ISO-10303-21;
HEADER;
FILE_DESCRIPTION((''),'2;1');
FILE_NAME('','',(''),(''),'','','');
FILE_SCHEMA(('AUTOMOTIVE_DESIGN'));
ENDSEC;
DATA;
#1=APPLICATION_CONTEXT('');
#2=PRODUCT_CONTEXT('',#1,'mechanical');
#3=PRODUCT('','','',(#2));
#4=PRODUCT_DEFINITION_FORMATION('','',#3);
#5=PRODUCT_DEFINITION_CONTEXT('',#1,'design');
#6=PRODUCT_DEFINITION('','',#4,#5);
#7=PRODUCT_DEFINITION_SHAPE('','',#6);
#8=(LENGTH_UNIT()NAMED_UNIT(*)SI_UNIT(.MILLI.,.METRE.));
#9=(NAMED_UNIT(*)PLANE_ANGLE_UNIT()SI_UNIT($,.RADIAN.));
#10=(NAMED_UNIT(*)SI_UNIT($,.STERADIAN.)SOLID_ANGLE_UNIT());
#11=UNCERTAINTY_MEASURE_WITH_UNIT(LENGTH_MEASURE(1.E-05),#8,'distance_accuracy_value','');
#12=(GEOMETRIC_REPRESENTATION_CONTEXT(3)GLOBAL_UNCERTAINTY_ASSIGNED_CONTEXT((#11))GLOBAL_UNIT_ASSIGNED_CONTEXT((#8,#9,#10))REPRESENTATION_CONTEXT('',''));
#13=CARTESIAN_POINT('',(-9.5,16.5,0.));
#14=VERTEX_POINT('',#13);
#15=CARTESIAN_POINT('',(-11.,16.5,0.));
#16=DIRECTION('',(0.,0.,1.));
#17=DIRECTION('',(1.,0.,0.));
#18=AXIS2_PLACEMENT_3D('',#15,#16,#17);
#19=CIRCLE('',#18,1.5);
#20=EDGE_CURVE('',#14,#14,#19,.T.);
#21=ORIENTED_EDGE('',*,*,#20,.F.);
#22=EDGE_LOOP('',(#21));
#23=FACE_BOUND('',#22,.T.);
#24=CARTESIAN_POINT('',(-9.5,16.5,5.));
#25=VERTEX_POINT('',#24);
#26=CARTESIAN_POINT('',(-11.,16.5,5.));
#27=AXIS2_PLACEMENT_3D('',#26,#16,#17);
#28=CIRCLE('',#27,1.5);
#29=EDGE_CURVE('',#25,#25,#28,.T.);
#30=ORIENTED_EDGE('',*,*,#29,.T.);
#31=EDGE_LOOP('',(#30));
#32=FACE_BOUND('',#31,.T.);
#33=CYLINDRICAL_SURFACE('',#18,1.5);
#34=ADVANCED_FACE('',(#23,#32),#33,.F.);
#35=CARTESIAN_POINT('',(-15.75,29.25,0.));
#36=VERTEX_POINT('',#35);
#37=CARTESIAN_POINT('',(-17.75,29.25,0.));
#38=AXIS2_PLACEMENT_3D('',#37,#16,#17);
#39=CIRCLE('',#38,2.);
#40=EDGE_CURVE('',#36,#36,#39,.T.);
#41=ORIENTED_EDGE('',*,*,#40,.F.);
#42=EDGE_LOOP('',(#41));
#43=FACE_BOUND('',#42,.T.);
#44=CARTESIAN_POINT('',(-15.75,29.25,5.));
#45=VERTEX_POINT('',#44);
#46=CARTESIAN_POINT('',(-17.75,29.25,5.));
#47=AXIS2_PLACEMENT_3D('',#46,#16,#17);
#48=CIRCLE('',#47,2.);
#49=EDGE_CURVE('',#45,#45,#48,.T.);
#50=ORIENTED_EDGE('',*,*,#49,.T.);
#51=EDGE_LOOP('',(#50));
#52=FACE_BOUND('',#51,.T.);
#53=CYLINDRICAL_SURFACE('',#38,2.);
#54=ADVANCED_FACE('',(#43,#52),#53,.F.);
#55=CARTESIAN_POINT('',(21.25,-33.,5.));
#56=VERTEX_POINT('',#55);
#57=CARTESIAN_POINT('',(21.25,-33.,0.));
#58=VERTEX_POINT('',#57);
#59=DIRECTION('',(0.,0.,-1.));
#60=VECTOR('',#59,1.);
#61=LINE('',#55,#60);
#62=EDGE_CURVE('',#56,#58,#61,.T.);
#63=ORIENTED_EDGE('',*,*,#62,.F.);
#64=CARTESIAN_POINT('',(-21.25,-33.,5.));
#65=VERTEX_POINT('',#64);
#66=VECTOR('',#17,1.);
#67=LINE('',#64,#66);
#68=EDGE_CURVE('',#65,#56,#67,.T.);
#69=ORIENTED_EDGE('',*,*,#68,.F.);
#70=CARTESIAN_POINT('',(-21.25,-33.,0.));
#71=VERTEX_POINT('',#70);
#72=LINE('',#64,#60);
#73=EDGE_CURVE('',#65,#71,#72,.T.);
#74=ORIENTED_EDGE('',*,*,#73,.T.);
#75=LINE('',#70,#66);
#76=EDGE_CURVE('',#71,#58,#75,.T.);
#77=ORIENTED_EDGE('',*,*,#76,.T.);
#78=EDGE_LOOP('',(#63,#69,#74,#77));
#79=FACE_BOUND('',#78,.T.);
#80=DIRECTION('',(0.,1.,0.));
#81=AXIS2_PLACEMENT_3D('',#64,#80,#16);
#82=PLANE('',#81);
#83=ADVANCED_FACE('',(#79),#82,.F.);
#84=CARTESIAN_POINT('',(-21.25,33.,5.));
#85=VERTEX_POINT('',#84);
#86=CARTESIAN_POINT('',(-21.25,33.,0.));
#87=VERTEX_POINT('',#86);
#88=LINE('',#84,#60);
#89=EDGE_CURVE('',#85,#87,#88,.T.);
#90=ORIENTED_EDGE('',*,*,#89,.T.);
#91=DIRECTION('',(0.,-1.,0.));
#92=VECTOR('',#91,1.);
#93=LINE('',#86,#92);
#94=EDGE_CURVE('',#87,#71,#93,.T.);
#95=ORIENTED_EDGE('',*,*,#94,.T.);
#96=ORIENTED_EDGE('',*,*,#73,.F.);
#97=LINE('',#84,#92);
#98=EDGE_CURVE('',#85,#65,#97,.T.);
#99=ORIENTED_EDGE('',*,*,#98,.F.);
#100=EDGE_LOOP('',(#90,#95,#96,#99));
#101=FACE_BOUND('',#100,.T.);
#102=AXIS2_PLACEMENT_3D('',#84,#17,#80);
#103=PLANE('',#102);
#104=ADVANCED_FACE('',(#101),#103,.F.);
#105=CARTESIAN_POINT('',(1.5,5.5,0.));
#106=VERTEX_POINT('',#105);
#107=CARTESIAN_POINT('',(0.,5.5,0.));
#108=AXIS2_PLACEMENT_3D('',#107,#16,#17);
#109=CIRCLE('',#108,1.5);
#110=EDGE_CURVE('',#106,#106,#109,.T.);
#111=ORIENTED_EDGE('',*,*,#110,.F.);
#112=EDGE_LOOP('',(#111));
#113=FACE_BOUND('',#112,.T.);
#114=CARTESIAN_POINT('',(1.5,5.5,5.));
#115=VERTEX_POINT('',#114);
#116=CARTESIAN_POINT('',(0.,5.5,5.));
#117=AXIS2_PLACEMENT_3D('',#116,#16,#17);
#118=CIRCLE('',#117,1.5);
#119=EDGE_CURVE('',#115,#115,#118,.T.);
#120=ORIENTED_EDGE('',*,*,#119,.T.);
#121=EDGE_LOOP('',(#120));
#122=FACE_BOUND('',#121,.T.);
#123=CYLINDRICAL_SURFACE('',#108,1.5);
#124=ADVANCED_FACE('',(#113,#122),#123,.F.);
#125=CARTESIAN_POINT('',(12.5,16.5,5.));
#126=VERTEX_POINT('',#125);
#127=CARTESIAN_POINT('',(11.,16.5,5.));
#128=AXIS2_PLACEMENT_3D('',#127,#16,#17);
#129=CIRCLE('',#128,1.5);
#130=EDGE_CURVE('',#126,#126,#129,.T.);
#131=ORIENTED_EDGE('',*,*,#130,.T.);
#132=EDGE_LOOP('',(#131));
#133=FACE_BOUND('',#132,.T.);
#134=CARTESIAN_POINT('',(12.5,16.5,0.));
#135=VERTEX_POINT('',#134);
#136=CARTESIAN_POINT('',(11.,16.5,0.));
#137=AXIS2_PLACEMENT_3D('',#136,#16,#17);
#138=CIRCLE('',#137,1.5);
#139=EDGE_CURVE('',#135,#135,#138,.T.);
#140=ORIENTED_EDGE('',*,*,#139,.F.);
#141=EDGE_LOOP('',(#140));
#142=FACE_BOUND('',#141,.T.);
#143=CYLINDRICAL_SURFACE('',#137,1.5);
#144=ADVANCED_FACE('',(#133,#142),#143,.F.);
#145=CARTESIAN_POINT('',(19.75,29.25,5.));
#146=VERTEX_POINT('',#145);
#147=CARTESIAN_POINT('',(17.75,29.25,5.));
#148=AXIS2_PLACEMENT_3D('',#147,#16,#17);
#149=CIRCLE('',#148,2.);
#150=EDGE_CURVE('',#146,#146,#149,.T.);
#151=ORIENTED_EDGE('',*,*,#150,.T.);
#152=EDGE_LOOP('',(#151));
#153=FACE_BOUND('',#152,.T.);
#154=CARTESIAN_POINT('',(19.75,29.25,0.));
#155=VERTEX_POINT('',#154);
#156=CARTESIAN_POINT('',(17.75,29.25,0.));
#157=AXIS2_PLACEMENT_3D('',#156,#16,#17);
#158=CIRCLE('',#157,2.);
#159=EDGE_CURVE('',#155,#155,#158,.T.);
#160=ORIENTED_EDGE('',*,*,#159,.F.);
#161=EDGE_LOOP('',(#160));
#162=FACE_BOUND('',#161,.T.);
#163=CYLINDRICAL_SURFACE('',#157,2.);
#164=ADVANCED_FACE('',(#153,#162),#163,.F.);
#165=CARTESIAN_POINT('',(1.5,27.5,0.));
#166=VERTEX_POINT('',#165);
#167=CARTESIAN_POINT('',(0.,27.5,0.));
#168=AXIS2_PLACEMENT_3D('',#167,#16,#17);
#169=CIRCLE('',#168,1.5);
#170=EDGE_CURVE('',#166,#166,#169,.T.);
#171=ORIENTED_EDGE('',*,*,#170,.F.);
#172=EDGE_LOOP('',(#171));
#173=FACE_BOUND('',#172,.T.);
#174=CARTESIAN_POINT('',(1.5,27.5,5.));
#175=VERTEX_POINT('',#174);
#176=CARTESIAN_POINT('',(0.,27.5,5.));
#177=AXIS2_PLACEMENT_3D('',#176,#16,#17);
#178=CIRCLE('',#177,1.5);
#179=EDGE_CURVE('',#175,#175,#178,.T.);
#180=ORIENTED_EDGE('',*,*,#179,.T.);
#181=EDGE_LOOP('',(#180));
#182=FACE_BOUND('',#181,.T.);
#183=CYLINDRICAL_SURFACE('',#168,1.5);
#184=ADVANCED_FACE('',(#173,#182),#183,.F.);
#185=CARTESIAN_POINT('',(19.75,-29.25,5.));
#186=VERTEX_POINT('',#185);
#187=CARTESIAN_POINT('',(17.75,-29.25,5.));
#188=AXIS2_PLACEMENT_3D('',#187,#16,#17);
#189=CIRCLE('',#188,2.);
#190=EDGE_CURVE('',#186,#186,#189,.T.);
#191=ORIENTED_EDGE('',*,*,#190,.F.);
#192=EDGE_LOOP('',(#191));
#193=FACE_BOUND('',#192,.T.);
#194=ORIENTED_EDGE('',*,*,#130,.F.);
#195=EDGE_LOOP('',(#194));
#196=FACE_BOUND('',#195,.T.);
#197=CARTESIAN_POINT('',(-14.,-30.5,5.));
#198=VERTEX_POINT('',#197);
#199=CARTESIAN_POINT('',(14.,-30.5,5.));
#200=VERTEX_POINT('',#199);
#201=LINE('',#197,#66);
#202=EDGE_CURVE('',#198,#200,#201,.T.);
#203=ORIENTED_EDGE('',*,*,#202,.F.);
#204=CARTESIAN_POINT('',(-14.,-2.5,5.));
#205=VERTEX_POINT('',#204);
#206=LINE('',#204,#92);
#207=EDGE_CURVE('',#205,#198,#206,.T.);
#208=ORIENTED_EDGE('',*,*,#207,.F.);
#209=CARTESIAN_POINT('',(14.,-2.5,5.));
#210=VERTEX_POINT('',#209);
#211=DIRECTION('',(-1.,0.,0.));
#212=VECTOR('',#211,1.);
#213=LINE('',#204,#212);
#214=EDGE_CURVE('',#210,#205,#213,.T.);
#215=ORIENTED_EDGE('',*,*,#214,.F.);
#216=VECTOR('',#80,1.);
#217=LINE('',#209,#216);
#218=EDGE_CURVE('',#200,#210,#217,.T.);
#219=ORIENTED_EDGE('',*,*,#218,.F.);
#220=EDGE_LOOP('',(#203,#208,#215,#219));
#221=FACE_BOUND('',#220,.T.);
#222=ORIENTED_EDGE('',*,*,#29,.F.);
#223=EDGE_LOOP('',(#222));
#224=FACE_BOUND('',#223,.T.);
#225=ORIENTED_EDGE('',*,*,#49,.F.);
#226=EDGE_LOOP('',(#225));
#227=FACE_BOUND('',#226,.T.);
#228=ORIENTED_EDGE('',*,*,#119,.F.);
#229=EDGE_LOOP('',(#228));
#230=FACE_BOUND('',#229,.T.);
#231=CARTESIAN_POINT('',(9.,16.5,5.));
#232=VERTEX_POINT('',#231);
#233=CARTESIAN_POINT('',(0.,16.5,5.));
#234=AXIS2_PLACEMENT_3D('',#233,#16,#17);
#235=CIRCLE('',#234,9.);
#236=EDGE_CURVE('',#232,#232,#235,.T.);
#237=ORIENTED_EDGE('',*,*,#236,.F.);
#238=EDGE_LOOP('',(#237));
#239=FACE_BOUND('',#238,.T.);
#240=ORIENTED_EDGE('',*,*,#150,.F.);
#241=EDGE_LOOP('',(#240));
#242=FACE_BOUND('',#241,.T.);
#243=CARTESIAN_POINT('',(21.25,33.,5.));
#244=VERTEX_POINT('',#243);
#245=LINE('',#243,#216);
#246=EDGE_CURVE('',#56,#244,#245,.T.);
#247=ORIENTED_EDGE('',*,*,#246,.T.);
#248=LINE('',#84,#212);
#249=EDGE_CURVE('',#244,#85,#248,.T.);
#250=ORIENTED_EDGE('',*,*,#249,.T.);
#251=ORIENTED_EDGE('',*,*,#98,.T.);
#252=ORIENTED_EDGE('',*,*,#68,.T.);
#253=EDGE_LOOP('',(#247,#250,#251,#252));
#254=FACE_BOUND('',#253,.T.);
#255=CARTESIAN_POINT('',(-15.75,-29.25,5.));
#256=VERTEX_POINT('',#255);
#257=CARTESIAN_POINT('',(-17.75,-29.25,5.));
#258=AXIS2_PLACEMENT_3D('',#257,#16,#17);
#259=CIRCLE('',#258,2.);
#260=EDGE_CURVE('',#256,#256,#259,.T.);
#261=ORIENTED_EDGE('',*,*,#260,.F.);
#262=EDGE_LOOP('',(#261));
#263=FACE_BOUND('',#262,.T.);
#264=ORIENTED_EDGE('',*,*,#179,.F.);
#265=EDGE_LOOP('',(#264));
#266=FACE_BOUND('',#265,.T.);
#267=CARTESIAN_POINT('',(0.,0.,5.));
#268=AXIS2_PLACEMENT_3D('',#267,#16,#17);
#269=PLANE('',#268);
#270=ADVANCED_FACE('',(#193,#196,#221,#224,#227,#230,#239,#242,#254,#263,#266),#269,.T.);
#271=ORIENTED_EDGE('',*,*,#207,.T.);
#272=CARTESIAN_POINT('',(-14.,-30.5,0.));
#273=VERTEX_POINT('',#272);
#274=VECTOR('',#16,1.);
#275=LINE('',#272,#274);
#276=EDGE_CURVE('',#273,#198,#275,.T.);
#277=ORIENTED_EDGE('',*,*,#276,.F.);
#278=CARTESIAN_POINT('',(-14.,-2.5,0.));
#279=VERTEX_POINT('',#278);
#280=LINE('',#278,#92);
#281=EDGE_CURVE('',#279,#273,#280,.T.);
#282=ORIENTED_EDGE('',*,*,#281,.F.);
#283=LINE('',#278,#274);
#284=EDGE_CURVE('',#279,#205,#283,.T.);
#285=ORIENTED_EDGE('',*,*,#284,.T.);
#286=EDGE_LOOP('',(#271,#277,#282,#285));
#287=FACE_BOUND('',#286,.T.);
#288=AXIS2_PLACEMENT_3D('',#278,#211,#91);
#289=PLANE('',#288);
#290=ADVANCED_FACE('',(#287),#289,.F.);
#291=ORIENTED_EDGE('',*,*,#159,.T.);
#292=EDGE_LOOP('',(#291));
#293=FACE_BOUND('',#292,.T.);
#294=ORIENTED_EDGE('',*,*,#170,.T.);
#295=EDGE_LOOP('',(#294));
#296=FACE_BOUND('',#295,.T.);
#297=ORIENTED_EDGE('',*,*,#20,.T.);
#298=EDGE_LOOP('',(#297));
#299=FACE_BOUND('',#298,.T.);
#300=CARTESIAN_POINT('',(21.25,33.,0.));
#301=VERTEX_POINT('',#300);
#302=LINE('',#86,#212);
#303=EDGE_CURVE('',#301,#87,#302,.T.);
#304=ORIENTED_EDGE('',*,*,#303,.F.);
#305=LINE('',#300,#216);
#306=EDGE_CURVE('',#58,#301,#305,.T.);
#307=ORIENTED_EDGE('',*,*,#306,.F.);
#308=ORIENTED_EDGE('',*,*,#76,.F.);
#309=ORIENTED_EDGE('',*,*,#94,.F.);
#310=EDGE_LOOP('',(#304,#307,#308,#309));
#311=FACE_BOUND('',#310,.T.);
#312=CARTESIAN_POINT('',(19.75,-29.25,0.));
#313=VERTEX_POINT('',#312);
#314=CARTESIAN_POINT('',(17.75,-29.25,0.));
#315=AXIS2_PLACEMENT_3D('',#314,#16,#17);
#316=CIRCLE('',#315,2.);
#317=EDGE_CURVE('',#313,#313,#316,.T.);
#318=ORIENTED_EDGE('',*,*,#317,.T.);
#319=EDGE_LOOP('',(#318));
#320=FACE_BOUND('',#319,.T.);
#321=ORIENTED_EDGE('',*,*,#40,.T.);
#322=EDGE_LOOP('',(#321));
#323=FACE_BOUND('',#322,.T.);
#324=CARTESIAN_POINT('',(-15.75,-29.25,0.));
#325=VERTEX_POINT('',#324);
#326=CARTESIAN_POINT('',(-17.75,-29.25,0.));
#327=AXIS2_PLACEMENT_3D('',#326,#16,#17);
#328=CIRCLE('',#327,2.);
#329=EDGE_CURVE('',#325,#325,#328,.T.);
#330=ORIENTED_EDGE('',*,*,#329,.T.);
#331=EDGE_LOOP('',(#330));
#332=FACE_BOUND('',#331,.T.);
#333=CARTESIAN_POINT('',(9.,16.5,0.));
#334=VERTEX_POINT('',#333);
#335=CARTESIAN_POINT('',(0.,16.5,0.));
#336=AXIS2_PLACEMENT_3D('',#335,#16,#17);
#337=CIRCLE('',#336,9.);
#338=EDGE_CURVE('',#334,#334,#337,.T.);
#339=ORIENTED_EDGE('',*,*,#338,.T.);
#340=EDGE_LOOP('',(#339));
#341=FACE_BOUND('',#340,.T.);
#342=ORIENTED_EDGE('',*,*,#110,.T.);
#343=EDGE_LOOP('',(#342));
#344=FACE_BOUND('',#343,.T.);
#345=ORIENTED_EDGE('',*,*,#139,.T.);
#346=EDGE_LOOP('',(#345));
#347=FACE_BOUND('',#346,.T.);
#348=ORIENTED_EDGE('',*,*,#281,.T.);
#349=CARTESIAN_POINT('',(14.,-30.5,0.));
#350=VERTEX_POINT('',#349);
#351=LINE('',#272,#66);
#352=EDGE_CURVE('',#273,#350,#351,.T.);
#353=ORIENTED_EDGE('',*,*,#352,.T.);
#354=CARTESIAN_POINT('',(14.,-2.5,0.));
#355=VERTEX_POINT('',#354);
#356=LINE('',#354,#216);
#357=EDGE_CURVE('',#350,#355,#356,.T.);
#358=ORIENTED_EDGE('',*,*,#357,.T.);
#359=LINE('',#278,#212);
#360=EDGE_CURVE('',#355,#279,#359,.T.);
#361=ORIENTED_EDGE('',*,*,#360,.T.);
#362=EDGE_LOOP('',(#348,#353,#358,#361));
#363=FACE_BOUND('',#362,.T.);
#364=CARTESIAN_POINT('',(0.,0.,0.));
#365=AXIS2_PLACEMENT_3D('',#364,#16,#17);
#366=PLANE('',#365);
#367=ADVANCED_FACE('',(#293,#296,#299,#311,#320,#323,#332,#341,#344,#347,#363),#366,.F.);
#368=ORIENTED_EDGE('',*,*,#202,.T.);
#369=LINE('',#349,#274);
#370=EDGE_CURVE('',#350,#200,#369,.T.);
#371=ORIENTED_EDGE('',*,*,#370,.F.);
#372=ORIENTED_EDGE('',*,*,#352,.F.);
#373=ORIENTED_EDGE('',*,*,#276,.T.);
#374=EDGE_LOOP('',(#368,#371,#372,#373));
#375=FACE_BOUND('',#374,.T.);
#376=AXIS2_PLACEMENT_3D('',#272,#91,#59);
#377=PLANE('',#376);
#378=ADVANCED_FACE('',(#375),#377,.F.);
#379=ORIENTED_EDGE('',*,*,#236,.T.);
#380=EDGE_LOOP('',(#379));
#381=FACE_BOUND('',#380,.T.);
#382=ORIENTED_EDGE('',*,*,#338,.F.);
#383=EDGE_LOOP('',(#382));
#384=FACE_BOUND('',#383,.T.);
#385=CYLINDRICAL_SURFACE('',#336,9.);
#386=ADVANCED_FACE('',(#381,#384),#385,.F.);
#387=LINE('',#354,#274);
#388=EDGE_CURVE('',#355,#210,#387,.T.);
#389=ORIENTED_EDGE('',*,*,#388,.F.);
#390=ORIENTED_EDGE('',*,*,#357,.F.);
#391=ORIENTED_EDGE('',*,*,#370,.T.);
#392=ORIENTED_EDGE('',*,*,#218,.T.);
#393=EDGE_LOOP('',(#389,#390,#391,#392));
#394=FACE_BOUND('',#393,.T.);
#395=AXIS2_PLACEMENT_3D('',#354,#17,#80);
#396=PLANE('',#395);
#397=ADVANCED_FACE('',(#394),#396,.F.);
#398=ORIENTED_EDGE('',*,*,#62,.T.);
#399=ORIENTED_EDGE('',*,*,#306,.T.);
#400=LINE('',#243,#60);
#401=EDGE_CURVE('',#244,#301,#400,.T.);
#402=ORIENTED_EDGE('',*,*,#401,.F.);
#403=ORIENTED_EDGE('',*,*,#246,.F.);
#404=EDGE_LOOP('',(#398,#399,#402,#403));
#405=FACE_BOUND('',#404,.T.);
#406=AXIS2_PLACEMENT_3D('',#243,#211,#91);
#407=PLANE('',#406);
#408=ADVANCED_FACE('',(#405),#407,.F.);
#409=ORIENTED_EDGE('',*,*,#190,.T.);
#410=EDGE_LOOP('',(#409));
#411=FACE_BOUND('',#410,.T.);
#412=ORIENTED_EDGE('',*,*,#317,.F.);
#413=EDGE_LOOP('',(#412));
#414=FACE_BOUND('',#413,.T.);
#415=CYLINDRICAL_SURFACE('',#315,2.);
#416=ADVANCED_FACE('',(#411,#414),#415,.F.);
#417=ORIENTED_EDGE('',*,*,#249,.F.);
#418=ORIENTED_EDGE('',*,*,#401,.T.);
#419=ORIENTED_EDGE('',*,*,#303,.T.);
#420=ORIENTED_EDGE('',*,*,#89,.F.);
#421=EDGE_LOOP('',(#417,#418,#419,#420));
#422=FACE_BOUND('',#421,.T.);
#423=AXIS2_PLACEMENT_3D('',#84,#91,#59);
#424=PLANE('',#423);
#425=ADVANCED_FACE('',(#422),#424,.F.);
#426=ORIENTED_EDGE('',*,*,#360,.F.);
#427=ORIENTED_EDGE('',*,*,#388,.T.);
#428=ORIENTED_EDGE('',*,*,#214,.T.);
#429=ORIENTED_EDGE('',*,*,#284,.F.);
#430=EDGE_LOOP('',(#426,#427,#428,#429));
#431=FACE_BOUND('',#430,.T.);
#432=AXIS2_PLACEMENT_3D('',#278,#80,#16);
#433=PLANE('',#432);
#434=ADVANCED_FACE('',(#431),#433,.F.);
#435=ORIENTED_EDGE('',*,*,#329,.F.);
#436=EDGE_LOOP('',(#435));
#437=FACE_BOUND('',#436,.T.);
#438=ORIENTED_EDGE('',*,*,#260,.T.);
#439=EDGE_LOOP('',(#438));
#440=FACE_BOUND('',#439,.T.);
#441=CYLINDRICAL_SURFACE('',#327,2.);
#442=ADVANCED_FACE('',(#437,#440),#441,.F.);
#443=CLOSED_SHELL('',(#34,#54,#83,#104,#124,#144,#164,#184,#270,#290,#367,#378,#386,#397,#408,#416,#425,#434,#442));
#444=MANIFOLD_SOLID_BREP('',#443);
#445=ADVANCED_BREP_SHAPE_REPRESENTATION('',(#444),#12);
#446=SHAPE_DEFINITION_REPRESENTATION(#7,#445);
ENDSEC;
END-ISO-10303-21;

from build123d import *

# Parameters (mm, degrees)
SKETCH1_W           = 42.5
SKETCH1_H           = 66
BOSS_EXTRUDE1_DEPTH = 5
SKETCH2_R           = 9
SKETCH2_R_2         = 1.5
CUT_EXTRUDE1_DEPTH  = 40.56718969
SKETCH3_W           = 28
SKETCH3_H           = 28
CUT_EXTRUDE2_DEPTH  = 40.56718969
SKETCH4_R           = 2
CUT_EXTRUDE3_DEPTH  = 40.56718969


with BuildPart() as part:
    # Sketch1 → Boss-Extrude1 (new body)
    with BuildSketch(Plane.XY):
        Rectangle(SKETCH1_W, SKETCH1_H)
    extrude(amount=BOSS_EXTRUDE1_DEPTH)

    # Sketch2 → Cut-Extrude1 (cut, through all)
    with BuildSketch(Plane.XY.offset(5)):
        with Locations((0, 16.5)):
            Circle(SKETCH2_R)
        with Locations((0, 27.5)):
            Circle(SKETCH2_R_2)
        with Locations((11, 16.5)):
            Circle(SKETCH2_R_2)
        with Locations((-11, 16.5)):
            Circle(SKETCH2_R_2)
        with Locations((0, 5.5)):
            Circle(SKETCH2_R_2)
    extrude(amount=-CUT_EXTRUDE1_DEPTH, mode=Mode.SUBTRACT)

    # Sketch3 → Cut-Extrude2 (cut, through all)
    with BuildSketch(Plane.XY.offset(5)):
        with Locations((0, -16.5)):
            Rectangle(SKETCH3_W, SKETCH3_H)
    extrude(amount=-CUT_EXTRUDE2_DEPTH, mode=Mode.SUBTRACT)

    # Sketch4 → Cut-Extrude3 (cut, through all)
    with BuildSketch(Plane.XY.offset(5)):
        with Locations((-17.75, 29.25)):
            Circle(SKETCH4_R)
        with Locations((17.75, 29.25)):
            Circle(SKETCH4_R)
        with Locations((-17.75, -29.25)):
            Circle(SKETCH4_R)
        with Locations((17.75, -29.25)):
            Circle(SKETCH4_R)
    extrude(amount=-CUT_EXTRUDE3_DEPTH, mode=Mode.SUBTRACT)


solid = part.part
